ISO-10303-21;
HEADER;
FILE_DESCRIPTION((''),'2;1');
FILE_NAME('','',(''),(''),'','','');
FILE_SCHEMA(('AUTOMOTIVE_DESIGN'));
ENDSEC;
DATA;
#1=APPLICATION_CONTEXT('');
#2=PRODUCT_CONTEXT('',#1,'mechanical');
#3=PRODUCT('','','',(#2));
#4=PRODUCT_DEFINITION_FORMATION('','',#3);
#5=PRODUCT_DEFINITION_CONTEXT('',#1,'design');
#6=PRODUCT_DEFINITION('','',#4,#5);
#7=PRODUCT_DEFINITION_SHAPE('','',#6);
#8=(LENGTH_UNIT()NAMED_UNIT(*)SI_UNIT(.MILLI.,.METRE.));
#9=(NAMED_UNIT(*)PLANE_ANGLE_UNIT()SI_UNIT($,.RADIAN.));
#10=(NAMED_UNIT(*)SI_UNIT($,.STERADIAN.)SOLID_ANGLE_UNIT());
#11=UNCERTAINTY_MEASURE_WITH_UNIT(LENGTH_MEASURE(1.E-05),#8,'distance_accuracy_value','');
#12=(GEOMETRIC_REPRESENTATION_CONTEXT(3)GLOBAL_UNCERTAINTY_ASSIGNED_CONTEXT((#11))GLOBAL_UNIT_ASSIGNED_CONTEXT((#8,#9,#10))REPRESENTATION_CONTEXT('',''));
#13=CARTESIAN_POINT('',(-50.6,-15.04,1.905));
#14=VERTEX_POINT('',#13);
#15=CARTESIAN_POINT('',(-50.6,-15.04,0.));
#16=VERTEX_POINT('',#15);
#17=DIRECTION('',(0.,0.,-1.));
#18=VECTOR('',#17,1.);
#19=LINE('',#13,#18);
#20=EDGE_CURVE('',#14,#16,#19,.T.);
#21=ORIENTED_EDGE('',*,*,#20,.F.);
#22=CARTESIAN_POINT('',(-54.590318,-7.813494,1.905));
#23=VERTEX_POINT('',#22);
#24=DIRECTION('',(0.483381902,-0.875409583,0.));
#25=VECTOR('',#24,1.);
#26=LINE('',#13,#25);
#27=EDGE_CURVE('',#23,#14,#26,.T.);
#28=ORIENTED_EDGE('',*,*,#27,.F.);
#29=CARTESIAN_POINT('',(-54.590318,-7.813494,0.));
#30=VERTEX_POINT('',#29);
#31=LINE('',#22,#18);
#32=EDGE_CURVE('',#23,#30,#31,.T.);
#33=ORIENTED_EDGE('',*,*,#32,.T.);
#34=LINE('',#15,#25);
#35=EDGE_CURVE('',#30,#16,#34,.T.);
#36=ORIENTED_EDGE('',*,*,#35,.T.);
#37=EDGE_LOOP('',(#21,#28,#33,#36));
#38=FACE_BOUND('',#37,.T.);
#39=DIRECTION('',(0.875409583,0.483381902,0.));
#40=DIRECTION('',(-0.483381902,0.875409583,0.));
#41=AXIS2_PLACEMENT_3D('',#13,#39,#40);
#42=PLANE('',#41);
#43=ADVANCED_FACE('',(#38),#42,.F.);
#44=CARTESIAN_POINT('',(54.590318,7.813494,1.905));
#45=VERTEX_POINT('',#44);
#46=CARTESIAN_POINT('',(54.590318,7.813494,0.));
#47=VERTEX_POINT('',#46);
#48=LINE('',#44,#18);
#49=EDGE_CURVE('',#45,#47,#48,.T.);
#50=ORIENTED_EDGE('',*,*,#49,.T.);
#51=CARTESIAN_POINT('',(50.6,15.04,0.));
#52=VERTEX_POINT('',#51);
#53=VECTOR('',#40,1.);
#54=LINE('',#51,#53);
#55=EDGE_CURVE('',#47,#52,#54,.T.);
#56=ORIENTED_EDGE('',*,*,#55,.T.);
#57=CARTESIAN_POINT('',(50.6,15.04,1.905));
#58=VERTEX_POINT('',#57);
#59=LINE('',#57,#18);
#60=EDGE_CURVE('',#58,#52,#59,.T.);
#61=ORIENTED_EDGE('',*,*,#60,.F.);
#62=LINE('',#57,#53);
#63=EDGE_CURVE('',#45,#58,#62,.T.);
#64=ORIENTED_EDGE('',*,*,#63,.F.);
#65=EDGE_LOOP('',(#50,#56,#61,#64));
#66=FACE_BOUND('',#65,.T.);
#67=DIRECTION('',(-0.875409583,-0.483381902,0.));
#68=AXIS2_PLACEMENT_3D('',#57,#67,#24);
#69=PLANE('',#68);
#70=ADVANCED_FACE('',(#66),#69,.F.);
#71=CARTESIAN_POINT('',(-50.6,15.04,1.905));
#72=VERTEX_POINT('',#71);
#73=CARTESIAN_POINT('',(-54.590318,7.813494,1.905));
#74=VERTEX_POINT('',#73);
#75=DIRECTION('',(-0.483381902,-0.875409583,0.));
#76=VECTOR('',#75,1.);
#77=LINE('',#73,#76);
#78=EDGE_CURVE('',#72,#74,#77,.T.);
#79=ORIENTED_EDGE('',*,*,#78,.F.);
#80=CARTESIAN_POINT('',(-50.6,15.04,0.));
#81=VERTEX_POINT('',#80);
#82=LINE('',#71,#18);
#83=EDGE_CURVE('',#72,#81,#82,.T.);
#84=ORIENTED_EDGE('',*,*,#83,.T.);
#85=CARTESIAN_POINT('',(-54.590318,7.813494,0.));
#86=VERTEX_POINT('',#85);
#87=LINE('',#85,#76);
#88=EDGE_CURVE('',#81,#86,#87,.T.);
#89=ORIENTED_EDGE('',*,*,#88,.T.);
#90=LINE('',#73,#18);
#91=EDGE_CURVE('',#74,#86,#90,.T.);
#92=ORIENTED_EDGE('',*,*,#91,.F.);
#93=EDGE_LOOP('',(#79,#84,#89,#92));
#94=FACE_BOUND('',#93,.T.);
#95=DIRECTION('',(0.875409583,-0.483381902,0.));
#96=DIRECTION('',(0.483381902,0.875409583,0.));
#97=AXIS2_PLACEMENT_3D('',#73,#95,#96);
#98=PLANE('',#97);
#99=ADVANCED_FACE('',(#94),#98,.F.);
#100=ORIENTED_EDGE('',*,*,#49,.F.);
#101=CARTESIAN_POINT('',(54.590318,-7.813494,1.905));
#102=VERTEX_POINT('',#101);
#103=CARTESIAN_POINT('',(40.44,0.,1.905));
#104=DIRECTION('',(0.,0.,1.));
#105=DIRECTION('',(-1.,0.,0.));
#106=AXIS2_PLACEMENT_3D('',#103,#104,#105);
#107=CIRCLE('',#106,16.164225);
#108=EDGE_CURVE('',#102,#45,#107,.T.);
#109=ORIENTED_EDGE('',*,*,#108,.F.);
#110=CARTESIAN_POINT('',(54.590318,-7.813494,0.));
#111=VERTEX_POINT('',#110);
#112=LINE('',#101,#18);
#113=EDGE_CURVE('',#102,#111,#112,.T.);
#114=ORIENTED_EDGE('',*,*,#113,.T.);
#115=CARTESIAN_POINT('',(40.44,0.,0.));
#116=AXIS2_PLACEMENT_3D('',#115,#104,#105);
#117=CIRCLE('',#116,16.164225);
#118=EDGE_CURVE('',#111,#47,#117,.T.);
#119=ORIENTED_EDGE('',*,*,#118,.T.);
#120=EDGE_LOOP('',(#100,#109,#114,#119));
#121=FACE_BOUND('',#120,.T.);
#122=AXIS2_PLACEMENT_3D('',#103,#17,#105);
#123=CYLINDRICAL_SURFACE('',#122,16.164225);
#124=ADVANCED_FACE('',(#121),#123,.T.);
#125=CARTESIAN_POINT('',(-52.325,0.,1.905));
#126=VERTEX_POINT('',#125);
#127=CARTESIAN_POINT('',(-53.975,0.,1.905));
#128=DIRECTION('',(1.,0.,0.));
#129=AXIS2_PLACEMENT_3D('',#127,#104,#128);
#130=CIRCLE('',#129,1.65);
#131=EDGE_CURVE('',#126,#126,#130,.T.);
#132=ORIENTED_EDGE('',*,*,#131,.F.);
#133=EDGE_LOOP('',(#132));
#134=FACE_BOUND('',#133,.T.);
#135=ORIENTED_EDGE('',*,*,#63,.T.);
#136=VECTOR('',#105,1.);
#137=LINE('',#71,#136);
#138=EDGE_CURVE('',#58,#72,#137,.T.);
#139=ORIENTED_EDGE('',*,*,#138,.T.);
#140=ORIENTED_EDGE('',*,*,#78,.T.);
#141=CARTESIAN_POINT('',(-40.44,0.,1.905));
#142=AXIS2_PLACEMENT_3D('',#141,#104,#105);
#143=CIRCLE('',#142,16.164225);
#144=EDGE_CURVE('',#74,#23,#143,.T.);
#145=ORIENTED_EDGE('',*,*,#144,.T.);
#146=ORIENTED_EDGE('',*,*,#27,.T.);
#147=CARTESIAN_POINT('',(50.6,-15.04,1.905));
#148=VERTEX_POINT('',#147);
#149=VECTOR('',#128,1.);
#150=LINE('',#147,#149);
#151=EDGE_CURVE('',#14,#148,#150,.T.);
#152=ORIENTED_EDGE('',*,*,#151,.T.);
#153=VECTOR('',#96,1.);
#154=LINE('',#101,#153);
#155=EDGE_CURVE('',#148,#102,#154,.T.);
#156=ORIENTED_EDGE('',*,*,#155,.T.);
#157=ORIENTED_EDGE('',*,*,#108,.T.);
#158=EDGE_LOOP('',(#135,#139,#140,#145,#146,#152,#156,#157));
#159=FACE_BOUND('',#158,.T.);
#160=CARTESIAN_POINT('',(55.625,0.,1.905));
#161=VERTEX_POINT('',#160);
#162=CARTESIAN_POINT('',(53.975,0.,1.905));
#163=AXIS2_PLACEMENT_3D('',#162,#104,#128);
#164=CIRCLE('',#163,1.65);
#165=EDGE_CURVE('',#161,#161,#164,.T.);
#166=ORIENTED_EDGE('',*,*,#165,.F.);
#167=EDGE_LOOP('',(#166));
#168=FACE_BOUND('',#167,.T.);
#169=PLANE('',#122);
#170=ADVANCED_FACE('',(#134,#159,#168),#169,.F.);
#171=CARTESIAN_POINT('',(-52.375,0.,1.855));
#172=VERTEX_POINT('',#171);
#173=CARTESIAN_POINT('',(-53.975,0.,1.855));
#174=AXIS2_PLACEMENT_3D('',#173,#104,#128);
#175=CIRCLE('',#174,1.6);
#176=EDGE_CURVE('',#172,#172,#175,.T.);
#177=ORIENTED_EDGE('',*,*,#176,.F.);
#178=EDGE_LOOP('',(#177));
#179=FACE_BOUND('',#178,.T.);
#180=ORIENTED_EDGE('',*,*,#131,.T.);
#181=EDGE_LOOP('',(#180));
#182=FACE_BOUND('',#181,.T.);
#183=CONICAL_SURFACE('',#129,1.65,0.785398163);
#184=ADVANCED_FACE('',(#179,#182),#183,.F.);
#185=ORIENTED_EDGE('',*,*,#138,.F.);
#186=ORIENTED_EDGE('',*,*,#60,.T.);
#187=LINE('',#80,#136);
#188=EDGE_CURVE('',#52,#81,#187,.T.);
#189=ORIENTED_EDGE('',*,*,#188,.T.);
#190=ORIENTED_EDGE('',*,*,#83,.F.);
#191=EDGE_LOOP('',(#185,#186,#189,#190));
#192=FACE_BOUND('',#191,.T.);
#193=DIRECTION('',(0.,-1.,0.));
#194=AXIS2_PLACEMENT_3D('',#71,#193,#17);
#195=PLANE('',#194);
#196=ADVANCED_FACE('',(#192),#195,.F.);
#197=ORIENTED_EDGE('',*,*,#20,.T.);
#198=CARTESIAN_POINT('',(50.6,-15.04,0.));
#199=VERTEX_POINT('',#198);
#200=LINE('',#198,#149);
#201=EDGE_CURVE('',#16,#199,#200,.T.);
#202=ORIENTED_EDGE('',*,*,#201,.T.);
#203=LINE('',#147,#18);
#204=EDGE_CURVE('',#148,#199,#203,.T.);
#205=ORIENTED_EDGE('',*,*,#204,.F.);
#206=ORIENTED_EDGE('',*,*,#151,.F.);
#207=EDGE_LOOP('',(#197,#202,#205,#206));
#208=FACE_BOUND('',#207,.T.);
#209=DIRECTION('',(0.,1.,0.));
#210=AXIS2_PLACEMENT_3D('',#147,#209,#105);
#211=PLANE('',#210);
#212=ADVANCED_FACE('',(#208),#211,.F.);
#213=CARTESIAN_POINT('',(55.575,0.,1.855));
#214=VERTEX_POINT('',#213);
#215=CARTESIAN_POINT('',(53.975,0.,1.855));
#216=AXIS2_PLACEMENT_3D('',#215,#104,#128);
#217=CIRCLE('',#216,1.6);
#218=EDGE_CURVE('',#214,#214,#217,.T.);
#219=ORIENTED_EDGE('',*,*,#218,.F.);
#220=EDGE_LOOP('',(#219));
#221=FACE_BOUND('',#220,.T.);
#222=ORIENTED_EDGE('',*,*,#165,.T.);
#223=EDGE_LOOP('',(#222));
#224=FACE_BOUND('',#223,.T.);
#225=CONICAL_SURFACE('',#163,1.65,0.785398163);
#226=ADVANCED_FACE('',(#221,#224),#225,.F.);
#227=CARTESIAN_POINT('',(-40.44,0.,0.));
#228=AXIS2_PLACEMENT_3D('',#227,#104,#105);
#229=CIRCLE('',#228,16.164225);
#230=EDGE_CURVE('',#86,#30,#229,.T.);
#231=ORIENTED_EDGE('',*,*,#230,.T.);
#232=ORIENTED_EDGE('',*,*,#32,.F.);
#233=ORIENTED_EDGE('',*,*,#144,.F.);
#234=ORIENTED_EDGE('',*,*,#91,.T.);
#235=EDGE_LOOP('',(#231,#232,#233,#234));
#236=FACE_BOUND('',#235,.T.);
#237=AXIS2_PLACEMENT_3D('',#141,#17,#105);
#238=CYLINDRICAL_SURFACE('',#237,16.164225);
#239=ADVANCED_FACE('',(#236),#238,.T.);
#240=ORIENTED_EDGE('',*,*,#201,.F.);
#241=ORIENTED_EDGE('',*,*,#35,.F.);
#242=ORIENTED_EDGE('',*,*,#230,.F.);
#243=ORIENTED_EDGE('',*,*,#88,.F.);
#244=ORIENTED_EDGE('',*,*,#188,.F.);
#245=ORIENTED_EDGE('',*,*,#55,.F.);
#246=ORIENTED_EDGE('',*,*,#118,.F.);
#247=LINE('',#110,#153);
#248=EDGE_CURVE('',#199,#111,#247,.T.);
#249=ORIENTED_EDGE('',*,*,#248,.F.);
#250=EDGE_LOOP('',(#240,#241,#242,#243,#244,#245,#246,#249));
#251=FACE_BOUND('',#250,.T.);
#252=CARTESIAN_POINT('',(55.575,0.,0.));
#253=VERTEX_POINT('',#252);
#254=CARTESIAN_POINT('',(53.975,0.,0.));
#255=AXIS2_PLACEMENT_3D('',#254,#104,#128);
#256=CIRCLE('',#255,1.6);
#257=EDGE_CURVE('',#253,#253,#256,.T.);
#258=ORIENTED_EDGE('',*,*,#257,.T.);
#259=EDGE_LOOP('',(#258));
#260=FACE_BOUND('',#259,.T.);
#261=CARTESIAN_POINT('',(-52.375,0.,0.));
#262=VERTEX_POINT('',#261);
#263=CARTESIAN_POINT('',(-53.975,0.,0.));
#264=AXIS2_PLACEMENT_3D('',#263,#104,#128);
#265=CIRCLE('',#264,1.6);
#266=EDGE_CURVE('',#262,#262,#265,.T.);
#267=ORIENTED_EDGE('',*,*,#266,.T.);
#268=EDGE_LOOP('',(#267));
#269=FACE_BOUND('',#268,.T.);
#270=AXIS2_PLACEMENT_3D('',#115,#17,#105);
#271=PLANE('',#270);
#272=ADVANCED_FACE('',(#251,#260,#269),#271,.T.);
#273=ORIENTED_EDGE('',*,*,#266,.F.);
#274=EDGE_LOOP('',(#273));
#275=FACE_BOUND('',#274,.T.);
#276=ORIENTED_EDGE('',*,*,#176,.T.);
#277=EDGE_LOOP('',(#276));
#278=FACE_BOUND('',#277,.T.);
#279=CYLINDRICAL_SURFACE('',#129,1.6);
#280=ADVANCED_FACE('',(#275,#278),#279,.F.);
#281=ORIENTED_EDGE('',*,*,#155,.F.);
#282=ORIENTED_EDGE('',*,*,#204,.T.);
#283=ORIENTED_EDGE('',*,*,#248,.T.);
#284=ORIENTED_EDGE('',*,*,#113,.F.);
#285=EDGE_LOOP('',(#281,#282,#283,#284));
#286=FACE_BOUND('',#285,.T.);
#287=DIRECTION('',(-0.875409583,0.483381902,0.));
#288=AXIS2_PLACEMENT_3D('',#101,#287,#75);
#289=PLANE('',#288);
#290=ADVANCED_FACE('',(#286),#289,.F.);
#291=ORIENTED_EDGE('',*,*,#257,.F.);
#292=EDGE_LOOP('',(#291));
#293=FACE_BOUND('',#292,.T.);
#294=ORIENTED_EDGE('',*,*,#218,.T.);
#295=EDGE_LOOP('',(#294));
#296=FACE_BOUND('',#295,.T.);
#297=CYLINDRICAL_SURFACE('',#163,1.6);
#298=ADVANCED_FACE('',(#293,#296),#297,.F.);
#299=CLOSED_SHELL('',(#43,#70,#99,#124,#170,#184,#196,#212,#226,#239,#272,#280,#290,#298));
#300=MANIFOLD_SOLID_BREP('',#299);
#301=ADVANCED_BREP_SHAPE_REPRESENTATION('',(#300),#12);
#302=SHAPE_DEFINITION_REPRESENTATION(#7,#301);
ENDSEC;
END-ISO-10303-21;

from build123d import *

# Parameters (mm, degrees)
BOSS_EXTRUDE1_DEPTH             = 1.905
F_3_0MM_DOWEL_HOLE1_D           = 3.2
F_3_0MM_DOWEL_HOLE1_CSINK_D     = 3.3
F_3_0MM_DOWEL_HOLE1_CSINK_ANGLE = 90


with BuildPart() as part:
    # Sketch1 → Boss-Extrude1 (new body)
    with BuildSketch(Plane.XY):
        with BuildLine():
            Line((-50.6, 15.04), (50.6, 15.04))
            Line((50.6, 15.04), (54.590317598, 7.813493896))
            ThreePointArc((54.590317598, 7.813493896), (56.604225159, 0), (54.590317598, -7.813493896))
            Line((54.590317598, -7.813493896), (50.6, -15.04))
            Line((50.6, -15.04), (-50.6, -15.04))
            Line((-50.6, -15.04), (-54.590317598, -7.813493896))
            ThreePointArc((-54.590317598, -7.813493896), (-56.604225159, 0), (-54.590317598, 7.813493896))
            Line((-54.590317598, 7.813493896), (-50.6, 15.04))
        make_face()
    extrude(amount=BOSS_EXTRUDE1_DEPTH)

    # Ø3.0mm Dowel Hole1 (through all)
    with Locations(Plane.XY.offset(1.905)):
        with Locations((53.975, 0), (-53.975, 0)):
            CounterSinkHole(F_3_0MM_DOWEL_HOLE1_D / 2, F_3_0MM_DOWEL_HOLE1_CSINK_D / 2, counter_sink_angle=F_3_0MM_DOWEL_HOLE1_CSINK_ANGLE)


solid = part.part
